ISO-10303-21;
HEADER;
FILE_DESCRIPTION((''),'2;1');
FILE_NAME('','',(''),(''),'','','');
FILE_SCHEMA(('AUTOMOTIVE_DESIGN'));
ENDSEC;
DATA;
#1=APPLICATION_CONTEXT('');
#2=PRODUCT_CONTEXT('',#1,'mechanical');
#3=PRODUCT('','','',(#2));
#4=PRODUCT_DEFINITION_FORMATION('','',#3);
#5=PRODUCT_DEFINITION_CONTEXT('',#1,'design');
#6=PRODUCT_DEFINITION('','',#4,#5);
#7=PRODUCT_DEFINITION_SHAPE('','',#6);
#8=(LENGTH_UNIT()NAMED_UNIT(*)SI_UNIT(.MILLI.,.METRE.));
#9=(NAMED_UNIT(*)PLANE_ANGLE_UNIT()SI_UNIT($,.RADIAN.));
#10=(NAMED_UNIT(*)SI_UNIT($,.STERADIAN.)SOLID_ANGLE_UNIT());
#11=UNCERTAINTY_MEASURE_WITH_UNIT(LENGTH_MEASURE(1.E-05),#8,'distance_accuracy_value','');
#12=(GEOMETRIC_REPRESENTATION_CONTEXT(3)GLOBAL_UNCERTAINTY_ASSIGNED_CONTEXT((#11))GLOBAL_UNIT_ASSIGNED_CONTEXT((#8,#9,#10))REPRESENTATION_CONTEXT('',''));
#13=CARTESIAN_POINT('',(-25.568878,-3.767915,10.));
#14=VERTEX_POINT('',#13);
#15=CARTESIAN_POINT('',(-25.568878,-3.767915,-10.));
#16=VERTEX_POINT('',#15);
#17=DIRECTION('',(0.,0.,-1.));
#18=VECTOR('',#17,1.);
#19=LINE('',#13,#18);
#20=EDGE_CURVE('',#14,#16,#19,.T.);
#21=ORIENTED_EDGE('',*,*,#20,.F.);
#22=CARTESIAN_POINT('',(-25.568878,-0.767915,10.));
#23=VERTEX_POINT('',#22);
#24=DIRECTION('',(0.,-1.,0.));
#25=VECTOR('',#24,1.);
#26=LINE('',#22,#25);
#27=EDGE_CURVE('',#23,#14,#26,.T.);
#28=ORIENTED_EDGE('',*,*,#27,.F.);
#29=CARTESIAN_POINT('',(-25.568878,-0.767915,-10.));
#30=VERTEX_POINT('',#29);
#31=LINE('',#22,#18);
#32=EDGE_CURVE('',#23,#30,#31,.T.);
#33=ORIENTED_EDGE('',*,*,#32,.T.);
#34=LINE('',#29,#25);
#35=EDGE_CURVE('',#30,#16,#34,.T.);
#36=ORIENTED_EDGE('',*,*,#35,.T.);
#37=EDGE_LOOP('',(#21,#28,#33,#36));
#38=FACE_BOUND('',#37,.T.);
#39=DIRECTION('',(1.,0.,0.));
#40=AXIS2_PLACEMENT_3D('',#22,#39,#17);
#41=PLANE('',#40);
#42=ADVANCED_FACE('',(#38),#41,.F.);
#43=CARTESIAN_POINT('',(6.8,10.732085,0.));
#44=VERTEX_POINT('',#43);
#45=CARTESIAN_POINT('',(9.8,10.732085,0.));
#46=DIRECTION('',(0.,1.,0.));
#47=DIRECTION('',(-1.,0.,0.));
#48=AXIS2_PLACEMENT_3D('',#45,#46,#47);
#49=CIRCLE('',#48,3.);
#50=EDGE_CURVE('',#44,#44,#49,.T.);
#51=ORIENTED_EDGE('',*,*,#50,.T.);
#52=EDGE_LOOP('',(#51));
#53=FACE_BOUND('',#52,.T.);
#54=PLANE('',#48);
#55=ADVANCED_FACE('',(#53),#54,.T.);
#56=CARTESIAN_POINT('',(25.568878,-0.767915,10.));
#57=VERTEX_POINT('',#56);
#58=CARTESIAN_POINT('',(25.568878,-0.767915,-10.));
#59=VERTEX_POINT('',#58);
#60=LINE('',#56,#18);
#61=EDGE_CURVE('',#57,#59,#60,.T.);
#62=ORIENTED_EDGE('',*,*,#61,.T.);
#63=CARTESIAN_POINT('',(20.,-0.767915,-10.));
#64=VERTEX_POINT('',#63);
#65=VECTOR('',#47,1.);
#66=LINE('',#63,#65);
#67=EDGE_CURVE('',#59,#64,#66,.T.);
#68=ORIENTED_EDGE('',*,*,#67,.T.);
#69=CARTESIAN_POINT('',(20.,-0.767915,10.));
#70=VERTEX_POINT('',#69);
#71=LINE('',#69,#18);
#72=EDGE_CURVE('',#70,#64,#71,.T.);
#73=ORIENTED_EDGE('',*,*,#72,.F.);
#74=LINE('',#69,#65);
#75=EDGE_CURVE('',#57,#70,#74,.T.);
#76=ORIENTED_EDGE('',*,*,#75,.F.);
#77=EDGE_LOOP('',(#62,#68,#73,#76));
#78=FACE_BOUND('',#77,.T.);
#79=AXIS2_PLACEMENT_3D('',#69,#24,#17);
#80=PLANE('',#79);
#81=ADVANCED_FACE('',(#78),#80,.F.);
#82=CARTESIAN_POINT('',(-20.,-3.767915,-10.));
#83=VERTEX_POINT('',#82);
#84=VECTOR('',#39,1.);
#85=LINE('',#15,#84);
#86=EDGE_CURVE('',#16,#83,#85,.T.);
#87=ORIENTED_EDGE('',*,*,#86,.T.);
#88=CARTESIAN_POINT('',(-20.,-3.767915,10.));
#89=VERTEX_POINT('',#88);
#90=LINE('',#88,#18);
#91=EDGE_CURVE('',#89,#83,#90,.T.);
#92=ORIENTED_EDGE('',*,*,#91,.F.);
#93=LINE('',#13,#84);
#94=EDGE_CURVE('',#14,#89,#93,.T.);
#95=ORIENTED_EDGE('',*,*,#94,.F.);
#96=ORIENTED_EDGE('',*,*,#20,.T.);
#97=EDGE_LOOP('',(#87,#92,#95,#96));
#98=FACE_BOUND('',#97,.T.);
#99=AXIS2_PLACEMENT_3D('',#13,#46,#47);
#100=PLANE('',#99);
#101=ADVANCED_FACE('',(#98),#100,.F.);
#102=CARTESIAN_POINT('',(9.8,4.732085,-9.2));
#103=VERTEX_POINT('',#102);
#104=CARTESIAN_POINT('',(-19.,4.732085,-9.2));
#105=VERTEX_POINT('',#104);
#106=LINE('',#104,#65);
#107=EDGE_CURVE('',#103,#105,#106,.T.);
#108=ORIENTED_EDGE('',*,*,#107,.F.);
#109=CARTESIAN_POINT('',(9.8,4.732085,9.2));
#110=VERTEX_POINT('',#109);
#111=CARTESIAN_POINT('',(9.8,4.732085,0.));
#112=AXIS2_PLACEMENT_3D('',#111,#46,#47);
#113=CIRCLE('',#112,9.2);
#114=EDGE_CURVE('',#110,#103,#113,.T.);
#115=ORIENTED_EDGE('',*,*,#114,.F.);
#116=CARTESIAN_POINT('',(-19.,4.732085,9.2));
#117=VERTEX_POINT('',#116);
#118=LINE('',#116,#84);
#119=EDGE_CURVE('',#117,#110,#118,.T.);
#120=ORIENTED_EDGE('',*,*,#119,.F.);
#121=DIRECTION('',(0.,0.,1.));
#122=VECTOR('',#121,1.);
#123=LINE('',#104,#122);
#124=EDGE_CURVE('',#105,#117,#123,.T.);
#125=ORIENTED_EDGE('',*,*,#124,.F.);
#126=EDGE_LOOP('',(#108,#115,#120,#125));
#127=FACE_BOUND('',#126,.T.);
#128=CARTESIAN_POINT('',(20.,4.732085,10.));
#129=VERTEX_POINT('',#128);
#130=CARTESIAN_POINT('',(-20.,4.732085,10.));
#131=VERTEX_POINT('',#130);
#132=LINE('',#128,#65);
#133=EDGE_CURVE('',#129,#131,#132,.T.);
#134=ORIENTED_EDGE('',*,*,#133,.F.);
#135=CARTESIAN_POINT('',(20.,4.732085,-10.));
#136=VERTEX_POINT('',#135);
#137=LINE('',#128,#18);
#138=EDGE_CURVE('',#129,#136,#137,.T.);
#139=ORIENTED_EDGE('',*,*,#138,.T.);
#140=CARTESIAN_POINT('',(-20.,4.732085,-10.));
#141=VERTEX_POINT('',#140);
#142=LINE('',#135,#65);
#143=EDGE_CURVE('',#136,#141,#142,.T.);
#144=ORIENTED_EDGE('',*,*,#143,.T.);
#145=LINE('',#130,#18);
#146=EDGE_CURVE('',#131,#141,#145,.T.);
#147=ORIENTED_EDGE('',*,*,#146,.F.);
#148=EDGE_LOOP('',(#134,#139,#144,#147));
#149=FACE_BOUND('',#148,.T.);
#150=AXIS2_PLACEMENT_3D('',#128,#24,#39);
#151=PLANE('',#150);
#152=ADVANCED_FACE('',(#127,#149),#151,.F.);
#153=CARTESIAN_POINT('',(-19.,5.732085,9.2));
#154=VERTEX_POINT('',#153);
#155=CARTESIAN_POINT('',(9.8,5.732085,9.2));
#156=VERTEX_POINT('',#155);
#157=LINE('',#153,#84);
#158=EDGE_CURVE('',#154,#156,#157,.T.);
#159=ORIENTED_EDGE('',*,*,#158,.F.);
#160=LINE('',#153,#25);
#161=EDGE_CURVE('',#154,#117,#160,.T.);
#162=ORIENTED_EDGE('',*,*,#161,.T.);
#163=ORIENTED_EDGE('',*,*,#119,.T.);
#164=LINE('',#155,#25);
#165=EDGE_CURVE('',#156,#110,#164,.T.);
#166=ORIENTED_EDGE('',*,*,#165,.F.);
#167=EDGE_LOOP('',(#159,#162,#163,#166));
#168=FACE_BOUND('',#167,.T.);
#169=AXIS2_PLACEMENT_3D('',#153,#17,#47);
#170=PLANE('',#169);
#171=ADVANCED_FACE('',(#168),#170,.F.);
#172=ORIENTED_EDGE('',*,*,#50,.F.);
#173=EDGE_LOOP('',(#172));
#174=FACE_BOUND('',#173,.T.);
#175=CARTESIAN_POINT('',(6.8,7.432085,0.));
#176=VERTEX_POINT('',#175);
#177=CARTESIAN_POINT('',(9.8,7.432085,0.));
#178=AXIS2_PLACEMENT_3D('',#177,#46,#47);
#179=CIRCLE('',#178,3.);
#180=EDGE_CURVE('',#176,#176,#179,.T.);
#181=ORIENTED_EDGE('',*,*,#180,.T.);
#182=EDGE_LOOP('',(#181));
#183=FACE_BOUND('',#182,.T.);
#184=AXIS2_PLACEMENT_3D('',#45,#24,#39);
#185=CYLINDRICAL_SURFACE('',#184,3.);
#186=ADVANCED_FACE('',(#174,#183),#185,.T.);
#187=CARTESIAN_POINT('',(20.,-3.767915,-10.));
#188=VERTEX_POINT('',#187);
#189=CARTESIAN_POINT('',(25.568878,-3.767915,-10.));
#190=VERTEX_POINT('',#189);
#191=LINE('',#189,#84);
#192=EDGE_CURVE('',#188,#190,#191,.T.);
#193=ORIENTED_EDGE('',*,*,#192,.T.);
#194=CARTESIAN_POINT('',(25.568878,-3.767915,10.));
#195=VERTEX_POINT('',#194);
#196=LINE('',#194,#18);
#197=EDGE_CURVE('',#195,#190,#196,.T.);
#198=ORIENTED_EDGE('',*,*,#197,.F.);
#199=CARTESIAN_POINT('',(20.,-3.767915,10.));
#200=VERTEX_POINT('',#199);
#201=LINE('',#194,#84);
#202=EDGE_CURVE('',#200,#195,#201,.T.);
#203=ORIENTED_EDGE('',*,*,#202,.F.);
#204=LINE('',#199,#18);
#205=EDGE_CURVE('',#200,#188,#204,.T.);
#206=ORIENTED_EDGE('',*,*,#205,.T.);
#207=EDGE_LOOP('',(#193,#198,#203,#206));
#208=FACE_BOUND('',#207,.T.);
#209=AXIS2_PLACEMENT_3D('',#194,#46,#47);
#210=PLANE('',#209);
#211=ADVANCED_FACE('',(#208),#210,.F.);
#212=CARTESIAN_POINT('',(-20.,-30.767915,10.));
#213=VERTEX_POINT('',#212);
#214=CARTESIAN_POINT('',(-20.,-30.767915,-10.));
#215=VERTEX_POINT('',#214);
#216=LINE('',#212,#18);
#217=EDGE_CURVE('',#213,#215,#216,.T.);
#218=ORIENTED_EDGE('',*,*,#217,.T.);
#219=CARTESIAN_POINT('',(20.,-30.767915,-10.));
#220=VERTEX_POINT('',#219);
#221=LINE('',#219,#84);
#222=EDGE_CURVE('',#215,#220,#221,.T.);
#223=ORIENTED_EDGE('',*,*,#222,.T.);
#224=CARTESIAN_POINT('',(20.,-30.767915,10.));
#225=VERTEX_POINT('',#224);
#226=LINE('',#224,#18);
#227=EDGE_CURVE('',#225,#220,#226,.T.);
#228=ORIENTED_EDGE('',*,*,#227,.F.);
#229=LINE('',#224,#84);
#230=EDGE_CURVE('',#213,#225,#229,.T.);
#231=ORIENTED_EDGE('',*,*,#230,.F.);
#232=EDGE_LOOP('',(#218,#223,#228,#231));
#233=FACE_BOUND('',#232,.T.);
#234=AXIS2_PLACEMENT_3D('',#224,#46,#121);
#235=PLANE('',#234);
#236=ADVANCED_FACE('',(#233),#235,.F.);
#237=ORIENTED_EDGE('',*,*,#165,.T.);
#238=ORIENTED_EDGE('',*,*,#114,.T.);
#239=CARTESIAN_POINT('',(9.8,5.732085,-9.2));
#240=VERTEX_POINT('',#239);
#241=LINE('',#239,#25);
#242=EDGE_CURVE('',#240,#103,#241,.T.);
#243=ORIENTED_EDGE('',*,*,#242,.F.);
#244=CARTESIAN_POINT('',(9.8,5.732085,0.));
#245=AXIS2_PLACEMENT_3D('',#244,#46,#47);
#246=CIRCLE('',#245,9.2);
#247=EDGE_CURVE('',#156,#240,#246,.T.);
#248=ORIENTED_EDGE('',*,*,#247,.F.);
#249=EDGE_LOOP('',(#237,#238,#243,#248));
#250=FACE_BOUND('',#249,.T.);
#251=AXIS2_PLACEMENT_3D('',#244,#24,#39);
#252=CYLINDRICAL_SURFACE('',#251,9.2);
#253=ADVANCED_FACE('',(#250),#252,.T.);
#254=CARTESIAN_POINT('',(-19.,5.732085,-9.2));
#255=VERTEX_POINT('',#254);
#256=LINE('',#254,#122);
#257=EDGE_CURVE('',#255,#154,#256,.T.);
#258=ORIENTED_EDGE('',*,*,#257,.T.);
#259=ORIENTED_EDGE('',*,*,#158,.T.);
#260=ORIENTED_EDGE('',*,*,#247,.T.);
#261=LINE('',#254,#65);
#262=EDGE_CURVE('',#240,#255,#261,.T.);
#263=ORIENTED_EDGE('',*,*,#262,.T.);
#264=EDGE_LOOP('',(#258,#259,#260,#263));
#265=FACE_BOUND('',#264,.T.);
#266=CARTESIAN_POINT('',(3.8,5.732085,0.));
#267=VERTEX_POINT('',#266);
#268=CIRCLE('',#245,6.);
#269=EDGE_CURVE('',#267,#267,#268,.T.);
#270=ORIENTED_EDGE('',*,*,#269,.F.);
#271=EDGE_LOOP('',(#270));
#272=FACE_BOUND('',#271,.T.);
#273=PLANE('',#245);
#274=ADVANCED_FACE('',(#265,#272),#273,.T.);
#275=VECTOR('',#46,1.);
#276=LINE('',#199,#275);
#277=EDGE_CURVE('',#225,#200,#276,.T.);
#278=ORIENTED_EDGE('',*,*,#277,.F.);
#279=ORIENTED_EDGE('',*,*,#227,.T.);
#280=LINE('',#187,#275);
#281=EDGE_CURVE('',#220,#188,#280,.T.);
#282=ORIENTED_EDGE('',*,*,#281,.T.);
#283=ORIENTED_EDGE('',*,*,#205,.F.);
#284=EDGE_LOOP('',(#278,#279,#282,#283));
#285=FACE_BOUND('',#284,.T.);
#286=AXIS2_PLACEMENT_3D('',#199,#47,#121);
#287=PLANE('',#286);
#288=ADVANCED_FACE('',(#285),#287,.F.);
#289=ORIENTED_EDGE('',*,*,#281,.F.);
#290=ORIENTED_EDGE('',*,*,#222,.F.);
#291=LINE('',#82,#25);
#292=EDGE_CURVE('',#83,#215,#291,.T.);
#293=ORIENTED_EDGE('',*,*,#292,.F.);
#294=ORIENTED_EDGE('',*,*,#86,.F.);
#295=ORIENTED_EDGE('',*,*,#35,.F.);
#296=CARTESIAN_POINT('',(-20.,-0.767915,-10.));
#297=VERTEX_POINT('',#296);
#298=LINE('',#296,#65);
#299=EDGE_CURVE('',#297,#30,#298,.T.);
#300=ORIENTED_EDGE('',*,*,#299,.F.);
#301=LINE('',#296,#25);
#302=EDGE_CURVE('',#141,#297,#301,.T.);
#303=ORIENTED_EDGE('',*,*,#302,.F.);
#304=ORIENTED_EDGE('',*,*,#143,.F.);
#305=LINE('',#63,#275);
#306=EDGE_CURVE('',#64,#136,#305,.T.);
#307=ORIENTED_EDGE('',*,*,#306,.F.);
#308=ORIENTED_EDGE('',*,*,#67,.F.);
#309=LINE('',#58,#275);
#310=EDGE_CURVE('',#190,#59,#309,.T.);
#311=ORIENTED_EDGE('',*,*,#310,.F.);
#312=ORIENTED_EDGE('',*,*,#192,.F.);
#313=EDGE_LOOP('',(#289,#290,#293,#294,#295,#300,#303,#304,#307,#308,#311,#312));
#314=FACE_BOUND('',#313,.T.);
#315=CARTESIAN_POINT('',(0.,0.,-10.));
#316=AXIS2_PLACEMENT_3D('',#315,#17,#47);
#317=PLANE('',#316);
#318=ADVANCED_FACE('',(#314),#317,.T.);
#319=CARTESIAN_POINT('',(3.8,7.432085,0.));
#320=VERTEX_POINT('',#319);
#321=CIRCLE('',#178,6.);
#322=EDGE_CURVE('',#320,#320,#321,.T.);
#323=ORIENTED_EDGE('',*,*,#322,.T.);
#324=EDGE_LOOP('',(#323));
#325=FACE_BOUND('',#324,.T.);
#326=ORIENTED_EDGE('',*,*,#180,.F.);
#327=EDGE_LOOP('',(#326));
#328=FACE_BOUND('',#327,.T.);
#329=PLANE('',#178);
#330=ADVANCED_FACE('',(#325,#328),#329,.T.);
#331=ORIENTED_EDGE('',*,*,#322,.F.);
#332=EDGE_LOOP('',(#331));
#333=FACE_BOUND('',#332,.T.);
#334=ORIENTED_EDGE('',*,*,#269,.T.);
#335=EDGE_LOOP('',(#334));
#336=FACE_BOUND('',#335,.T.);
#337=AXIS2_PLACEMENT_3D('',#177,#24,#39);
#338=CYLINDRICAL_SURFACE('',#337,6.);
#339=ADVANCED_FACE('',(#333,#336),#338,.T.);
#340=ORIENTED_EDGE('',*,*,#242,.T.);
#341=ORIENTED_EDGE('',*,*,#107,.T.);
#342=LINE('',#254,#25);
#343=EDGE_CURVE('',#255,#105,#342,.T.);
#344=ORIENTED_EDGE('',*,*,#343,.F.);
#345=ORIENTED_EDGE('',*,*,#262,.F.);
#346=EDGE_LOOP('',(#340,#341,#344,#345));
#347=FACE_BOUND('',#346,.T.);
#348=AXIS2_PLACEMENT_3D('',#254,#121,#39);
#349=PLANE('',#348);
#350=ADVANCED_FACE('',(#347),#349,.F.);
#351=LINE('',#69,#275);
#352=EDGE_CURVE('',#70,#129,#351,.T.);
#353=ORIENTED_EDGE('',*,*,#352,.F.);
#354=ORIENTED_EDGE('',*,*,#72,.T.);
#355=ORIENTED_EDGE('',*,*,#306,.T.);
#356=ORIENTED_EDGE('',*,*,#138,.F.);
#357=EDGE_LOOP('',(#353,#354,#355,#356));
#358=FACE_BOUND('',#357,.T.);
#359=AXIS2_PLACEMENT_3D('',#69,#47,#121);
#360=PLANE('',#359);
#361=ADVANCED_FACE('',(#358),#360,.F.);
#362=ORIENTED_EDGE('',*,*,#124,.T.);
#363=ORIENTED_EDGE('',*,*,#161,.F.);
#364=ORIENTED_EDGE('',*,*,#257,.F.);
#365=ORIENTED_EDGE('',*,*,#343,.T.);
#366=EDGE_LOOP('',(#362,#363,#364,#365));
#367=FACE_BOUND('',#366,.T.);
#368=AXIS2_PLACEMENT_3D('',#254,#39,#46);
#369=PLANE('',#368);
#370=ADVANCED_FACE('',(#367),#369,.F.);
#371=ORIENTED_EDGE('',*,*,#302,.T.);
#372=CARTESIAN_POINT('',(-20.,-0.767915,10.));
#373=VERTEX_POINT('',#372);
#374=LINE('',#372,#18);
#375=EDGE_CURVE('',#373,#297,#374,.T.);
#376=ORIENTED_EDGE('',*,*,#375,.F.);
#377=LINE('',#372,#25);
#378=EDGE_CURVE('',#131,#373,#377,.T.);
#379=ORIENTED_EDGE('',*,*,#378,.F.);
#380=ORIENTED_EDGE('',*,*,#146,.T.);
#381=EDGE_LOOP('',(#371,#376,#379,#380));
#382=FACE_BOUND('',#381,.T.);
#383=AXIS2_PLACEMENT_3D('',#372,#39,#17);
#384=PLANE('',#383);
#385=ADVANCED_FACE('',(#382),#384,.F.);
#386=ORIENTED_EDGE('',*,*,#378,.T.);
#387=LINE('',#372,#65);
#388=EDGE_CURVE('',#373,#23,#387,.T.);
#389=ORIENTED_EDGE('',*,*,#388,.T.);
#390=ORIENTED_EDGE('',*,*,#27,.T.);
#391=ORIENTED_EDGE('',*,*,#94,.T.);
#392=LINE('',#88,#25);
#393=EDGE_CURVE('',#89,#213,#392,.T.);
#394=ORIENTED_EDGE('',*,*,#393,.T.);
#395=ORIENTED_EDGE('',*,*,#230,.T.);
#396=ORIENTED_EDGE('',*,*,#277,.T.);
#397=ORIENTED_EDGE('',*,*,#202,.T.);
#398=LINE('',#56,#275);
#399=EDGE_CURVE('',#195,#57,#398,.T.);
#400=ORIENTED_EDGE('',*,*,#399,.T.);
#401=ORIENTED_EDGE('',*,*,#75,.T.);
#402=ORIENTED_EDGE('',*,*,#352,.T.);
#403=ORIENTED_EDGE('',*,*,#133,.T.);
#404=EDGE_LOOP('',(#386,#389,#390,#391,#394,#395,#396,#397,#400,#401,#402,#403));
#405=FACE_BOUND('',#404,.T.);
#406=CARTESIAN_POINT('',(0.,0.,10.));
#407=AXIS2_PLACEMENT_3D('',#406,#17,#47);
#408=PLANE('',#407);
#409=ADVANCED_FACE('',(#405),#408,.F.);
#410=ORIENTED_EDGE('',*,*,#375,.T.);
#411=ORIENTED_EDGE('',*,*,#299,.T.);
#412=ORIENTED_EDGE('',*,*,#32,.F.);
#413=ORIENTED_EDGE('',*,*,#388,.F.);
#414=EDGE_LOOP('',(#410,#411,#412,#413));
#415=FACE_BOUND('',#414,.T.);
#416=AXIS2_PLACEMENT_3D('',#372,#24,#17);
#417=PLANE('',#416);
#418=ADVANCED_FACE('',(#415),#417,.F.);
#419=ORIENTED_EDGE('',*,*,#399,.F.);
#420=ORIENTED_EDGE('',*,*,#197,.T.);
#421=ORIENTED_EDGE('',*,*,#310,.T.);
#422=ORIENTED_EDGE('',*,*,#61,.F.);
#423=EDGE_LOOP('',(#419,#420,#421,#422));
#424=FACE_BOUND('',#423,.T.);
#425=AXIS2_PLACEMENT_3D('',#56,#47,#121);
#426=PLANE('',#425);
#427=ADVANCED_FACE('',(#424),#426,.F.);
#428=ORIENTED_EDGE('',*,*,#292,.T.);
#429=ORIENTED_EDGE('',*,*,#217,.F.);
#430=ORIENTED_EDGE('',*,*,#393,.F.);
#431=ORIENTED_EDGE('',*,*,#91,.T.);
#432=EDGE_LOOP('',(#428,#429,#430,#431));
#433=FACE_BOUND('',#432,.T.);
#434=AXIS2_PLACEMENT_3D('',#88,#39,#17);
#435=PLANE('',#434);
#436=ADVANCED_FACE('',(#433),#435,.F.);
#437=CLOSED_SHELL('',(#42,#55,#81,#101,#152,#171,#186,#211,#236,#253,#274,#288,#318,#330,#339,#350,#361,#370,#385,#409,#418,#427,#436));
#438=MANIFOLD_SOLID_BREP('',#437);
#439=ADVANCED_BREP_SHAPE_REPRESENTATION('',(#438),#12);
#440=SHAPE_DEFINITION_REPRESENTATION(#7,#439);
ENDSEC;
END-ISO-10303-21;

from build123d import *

# Parameters (mm, degrees)
RESSALTO_EXTRUS_O1_DEPTH = 10
RESSALTO_EXTRUS_O2_DEPTH = 1
ESBO_O4_R                = 3
RESSALTO_EXTRUS_O3_DEPTH = 5
ESBO_O5_R                = 6
RESSALTO_EXTRUS_O4_DEPTH = 1.7


with BuildPart() as part:
    # Esboço1 → Ressalto-extrusão1 (new body, symmetric)
    with BuildSketch(Plane.XY):
        Polygon((20, -0.767915455), (25.568877633, -0.767915455), (25.568877633, -3.767915455), (20, -3.767915455), (20, -30.767915455), (-20, -30.767915455), (-20, -3.767915455), (-25.568877633, -3.767915455), (-25.568877633, -0.767915455), (-20, -0.767915455), (-20, 4.732084545), (20, 4.732084545), align=None)
    extrude(amount=RESSALTO_EXTRUS_O1_DEPTH, both=True)

    # Esboço3 → Ressalto-extrusão2 (add)
    with BuildSketch(Plane(origin=(0, 4.732084545, 0), x_dir=(1, 0, 0), z_dir=(0, 1, 0))):
        with BuildLine():
            Line((-19, 9.2), (9.8, 9.2))
            ThreePointArc((9.8, 9.2), (19, 0), (9.8, -9.2))
            Line((9.8, -9.2), (-19, -9.2))
            Line((-19, -9.2), (-19, 9.2))
        make_face()
    extrude(amount=RESSALTO_EXTRUS_O2_DEPTH)

    # Esboço4 → Ressalto-extrusão3 (add)
    with BuildSketch(Plane(origin=(0, 5.732084545, 0), x_dir=(1, 0, 0), z_dir=(0, 1, 0))):
        with Locations((9.8, 0)):
            Circle(ESBO_O4_R)
    extrude(amount=RESSALTO_EXTRUS_O3_DEPTH)

    # Esboço5 → Ressalto-extrusão4 (add)
    with BuildSketch(Plane(origin=(0, 5.732084545, 0), x_dir=(1, 0, 0), z_dir=(0, 1, 0))):
        with Locations((9.8, 0)):
            Circle(ESBO_O5_R)
    extrude(amount=RESSALTO_EXTRUS_O4_DEPTH)


solid = part.part
